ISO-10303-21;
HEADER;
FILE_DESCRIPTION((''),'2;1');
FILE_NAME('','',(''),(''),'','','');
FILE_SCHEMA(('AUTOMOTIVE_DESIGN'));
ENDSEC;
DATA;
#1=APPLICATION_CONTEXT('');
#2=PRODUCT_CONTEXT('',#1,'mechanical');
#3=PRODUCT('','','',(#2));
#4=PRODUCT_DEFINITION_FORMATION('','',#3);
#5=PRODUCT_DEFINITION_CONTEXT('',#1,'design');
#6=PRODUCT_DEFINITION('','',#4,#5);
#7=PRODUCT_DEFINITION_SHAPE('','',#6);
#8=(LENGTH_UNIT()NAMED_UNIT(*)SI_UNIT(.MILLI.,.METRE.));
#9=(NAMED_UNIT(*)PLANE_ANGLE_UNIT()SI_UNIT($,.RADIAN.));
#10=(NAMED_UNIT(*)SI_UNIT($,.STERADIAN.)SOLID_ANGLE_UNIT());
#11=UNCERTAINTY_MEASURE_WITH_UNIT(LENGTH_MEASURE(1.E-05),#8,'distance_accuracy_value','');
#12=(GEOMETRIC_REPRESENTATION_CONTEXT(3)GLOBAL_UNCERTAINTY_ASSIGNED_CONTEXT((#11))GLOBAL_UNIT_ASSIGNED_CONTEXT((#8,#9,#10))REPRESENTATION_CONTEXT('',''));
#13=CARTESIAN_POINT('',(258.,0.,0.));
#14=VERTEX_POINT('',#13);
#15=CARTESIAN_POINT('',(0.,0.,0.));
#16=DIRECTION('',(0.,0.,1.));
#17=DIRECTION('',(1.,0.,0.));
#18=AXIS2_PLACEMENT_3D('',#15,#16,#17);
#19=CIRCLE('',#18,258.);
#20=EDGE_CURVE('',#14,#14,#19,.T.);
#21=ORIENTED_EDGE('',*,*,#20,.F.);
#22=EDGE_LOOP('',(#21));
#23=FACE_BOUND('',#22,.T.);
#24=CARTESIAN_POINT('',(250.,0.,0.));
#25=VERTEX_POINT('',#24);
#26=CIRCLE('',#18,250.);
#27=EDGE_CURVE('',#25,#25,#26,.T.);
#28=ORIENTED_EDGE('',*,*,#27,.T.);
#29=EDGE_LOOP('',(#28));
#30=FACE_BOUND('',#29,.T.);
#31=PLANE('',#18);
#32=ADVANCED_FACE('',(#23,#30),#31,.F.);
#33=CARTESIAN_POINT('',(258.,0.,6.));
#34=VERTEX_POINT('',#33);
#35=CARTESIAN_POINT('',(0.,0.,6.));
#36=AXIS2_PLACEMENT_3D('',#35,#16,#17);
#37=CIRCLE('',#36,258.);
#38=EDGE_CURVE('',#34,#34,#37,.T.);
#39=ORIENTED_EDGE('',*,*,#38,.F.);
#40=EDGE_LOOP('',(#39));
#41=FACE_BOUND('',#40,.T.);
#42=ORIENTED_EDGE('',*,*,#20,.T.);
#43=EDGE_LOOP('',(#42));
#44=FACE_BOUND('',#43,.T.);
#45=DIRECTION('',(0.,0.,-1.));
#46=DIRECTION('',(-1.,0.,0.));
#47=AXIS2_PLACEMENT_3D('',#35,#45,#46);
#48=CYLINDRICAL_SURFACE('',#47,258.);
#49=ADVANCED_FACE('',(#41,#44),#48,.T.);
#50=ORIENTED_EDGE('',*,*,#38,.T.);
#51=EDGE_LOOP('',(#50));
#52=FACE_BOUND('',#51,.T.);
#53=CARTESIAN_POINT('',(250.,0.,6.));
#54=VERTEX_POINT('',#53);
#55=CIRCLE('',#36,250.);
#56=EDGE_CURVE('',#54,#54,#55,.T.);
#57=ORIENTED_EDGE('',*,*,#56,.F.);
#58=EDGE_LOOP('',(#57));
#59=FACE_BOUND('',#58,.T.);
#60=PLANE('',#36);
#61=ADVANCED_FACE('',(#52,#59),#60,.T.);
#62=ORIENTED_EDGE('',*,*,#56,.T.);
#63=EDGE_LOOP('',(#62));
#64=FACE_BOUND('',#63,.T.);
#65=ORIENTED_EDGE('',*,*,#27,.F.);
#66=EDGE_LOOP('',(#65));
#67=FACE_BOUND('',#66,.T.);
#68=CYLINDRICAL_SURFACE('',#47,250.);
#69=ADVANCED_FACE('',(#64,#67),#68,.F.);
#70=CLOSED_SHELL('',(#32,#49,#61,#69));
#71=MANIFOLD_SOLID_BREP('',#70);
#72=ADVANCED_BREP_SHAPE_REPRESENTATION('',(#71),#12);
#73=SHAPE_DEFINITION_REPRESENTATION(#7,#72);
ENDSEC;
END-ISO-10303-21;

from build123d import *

# Parameters (mm, degrees)
CROQUIS1_R              = 258
CROQUIS1_R_2            = 250
SALIENTE_EXTRUIR1_DEPTH = 6


with BuildPart() as part:
    # Croquis1 → Saliente-Extruir1 (new body)
    with BuildSketch(Plane.XY):
        Circle(CROQUIS1_R)
        Circle(CROQUIS1_R_2, mode=Mode.SUBTRACT)
    extrude(amount=SALIENTE_EXTRUIR1_DEPTH)


solid = part.part
